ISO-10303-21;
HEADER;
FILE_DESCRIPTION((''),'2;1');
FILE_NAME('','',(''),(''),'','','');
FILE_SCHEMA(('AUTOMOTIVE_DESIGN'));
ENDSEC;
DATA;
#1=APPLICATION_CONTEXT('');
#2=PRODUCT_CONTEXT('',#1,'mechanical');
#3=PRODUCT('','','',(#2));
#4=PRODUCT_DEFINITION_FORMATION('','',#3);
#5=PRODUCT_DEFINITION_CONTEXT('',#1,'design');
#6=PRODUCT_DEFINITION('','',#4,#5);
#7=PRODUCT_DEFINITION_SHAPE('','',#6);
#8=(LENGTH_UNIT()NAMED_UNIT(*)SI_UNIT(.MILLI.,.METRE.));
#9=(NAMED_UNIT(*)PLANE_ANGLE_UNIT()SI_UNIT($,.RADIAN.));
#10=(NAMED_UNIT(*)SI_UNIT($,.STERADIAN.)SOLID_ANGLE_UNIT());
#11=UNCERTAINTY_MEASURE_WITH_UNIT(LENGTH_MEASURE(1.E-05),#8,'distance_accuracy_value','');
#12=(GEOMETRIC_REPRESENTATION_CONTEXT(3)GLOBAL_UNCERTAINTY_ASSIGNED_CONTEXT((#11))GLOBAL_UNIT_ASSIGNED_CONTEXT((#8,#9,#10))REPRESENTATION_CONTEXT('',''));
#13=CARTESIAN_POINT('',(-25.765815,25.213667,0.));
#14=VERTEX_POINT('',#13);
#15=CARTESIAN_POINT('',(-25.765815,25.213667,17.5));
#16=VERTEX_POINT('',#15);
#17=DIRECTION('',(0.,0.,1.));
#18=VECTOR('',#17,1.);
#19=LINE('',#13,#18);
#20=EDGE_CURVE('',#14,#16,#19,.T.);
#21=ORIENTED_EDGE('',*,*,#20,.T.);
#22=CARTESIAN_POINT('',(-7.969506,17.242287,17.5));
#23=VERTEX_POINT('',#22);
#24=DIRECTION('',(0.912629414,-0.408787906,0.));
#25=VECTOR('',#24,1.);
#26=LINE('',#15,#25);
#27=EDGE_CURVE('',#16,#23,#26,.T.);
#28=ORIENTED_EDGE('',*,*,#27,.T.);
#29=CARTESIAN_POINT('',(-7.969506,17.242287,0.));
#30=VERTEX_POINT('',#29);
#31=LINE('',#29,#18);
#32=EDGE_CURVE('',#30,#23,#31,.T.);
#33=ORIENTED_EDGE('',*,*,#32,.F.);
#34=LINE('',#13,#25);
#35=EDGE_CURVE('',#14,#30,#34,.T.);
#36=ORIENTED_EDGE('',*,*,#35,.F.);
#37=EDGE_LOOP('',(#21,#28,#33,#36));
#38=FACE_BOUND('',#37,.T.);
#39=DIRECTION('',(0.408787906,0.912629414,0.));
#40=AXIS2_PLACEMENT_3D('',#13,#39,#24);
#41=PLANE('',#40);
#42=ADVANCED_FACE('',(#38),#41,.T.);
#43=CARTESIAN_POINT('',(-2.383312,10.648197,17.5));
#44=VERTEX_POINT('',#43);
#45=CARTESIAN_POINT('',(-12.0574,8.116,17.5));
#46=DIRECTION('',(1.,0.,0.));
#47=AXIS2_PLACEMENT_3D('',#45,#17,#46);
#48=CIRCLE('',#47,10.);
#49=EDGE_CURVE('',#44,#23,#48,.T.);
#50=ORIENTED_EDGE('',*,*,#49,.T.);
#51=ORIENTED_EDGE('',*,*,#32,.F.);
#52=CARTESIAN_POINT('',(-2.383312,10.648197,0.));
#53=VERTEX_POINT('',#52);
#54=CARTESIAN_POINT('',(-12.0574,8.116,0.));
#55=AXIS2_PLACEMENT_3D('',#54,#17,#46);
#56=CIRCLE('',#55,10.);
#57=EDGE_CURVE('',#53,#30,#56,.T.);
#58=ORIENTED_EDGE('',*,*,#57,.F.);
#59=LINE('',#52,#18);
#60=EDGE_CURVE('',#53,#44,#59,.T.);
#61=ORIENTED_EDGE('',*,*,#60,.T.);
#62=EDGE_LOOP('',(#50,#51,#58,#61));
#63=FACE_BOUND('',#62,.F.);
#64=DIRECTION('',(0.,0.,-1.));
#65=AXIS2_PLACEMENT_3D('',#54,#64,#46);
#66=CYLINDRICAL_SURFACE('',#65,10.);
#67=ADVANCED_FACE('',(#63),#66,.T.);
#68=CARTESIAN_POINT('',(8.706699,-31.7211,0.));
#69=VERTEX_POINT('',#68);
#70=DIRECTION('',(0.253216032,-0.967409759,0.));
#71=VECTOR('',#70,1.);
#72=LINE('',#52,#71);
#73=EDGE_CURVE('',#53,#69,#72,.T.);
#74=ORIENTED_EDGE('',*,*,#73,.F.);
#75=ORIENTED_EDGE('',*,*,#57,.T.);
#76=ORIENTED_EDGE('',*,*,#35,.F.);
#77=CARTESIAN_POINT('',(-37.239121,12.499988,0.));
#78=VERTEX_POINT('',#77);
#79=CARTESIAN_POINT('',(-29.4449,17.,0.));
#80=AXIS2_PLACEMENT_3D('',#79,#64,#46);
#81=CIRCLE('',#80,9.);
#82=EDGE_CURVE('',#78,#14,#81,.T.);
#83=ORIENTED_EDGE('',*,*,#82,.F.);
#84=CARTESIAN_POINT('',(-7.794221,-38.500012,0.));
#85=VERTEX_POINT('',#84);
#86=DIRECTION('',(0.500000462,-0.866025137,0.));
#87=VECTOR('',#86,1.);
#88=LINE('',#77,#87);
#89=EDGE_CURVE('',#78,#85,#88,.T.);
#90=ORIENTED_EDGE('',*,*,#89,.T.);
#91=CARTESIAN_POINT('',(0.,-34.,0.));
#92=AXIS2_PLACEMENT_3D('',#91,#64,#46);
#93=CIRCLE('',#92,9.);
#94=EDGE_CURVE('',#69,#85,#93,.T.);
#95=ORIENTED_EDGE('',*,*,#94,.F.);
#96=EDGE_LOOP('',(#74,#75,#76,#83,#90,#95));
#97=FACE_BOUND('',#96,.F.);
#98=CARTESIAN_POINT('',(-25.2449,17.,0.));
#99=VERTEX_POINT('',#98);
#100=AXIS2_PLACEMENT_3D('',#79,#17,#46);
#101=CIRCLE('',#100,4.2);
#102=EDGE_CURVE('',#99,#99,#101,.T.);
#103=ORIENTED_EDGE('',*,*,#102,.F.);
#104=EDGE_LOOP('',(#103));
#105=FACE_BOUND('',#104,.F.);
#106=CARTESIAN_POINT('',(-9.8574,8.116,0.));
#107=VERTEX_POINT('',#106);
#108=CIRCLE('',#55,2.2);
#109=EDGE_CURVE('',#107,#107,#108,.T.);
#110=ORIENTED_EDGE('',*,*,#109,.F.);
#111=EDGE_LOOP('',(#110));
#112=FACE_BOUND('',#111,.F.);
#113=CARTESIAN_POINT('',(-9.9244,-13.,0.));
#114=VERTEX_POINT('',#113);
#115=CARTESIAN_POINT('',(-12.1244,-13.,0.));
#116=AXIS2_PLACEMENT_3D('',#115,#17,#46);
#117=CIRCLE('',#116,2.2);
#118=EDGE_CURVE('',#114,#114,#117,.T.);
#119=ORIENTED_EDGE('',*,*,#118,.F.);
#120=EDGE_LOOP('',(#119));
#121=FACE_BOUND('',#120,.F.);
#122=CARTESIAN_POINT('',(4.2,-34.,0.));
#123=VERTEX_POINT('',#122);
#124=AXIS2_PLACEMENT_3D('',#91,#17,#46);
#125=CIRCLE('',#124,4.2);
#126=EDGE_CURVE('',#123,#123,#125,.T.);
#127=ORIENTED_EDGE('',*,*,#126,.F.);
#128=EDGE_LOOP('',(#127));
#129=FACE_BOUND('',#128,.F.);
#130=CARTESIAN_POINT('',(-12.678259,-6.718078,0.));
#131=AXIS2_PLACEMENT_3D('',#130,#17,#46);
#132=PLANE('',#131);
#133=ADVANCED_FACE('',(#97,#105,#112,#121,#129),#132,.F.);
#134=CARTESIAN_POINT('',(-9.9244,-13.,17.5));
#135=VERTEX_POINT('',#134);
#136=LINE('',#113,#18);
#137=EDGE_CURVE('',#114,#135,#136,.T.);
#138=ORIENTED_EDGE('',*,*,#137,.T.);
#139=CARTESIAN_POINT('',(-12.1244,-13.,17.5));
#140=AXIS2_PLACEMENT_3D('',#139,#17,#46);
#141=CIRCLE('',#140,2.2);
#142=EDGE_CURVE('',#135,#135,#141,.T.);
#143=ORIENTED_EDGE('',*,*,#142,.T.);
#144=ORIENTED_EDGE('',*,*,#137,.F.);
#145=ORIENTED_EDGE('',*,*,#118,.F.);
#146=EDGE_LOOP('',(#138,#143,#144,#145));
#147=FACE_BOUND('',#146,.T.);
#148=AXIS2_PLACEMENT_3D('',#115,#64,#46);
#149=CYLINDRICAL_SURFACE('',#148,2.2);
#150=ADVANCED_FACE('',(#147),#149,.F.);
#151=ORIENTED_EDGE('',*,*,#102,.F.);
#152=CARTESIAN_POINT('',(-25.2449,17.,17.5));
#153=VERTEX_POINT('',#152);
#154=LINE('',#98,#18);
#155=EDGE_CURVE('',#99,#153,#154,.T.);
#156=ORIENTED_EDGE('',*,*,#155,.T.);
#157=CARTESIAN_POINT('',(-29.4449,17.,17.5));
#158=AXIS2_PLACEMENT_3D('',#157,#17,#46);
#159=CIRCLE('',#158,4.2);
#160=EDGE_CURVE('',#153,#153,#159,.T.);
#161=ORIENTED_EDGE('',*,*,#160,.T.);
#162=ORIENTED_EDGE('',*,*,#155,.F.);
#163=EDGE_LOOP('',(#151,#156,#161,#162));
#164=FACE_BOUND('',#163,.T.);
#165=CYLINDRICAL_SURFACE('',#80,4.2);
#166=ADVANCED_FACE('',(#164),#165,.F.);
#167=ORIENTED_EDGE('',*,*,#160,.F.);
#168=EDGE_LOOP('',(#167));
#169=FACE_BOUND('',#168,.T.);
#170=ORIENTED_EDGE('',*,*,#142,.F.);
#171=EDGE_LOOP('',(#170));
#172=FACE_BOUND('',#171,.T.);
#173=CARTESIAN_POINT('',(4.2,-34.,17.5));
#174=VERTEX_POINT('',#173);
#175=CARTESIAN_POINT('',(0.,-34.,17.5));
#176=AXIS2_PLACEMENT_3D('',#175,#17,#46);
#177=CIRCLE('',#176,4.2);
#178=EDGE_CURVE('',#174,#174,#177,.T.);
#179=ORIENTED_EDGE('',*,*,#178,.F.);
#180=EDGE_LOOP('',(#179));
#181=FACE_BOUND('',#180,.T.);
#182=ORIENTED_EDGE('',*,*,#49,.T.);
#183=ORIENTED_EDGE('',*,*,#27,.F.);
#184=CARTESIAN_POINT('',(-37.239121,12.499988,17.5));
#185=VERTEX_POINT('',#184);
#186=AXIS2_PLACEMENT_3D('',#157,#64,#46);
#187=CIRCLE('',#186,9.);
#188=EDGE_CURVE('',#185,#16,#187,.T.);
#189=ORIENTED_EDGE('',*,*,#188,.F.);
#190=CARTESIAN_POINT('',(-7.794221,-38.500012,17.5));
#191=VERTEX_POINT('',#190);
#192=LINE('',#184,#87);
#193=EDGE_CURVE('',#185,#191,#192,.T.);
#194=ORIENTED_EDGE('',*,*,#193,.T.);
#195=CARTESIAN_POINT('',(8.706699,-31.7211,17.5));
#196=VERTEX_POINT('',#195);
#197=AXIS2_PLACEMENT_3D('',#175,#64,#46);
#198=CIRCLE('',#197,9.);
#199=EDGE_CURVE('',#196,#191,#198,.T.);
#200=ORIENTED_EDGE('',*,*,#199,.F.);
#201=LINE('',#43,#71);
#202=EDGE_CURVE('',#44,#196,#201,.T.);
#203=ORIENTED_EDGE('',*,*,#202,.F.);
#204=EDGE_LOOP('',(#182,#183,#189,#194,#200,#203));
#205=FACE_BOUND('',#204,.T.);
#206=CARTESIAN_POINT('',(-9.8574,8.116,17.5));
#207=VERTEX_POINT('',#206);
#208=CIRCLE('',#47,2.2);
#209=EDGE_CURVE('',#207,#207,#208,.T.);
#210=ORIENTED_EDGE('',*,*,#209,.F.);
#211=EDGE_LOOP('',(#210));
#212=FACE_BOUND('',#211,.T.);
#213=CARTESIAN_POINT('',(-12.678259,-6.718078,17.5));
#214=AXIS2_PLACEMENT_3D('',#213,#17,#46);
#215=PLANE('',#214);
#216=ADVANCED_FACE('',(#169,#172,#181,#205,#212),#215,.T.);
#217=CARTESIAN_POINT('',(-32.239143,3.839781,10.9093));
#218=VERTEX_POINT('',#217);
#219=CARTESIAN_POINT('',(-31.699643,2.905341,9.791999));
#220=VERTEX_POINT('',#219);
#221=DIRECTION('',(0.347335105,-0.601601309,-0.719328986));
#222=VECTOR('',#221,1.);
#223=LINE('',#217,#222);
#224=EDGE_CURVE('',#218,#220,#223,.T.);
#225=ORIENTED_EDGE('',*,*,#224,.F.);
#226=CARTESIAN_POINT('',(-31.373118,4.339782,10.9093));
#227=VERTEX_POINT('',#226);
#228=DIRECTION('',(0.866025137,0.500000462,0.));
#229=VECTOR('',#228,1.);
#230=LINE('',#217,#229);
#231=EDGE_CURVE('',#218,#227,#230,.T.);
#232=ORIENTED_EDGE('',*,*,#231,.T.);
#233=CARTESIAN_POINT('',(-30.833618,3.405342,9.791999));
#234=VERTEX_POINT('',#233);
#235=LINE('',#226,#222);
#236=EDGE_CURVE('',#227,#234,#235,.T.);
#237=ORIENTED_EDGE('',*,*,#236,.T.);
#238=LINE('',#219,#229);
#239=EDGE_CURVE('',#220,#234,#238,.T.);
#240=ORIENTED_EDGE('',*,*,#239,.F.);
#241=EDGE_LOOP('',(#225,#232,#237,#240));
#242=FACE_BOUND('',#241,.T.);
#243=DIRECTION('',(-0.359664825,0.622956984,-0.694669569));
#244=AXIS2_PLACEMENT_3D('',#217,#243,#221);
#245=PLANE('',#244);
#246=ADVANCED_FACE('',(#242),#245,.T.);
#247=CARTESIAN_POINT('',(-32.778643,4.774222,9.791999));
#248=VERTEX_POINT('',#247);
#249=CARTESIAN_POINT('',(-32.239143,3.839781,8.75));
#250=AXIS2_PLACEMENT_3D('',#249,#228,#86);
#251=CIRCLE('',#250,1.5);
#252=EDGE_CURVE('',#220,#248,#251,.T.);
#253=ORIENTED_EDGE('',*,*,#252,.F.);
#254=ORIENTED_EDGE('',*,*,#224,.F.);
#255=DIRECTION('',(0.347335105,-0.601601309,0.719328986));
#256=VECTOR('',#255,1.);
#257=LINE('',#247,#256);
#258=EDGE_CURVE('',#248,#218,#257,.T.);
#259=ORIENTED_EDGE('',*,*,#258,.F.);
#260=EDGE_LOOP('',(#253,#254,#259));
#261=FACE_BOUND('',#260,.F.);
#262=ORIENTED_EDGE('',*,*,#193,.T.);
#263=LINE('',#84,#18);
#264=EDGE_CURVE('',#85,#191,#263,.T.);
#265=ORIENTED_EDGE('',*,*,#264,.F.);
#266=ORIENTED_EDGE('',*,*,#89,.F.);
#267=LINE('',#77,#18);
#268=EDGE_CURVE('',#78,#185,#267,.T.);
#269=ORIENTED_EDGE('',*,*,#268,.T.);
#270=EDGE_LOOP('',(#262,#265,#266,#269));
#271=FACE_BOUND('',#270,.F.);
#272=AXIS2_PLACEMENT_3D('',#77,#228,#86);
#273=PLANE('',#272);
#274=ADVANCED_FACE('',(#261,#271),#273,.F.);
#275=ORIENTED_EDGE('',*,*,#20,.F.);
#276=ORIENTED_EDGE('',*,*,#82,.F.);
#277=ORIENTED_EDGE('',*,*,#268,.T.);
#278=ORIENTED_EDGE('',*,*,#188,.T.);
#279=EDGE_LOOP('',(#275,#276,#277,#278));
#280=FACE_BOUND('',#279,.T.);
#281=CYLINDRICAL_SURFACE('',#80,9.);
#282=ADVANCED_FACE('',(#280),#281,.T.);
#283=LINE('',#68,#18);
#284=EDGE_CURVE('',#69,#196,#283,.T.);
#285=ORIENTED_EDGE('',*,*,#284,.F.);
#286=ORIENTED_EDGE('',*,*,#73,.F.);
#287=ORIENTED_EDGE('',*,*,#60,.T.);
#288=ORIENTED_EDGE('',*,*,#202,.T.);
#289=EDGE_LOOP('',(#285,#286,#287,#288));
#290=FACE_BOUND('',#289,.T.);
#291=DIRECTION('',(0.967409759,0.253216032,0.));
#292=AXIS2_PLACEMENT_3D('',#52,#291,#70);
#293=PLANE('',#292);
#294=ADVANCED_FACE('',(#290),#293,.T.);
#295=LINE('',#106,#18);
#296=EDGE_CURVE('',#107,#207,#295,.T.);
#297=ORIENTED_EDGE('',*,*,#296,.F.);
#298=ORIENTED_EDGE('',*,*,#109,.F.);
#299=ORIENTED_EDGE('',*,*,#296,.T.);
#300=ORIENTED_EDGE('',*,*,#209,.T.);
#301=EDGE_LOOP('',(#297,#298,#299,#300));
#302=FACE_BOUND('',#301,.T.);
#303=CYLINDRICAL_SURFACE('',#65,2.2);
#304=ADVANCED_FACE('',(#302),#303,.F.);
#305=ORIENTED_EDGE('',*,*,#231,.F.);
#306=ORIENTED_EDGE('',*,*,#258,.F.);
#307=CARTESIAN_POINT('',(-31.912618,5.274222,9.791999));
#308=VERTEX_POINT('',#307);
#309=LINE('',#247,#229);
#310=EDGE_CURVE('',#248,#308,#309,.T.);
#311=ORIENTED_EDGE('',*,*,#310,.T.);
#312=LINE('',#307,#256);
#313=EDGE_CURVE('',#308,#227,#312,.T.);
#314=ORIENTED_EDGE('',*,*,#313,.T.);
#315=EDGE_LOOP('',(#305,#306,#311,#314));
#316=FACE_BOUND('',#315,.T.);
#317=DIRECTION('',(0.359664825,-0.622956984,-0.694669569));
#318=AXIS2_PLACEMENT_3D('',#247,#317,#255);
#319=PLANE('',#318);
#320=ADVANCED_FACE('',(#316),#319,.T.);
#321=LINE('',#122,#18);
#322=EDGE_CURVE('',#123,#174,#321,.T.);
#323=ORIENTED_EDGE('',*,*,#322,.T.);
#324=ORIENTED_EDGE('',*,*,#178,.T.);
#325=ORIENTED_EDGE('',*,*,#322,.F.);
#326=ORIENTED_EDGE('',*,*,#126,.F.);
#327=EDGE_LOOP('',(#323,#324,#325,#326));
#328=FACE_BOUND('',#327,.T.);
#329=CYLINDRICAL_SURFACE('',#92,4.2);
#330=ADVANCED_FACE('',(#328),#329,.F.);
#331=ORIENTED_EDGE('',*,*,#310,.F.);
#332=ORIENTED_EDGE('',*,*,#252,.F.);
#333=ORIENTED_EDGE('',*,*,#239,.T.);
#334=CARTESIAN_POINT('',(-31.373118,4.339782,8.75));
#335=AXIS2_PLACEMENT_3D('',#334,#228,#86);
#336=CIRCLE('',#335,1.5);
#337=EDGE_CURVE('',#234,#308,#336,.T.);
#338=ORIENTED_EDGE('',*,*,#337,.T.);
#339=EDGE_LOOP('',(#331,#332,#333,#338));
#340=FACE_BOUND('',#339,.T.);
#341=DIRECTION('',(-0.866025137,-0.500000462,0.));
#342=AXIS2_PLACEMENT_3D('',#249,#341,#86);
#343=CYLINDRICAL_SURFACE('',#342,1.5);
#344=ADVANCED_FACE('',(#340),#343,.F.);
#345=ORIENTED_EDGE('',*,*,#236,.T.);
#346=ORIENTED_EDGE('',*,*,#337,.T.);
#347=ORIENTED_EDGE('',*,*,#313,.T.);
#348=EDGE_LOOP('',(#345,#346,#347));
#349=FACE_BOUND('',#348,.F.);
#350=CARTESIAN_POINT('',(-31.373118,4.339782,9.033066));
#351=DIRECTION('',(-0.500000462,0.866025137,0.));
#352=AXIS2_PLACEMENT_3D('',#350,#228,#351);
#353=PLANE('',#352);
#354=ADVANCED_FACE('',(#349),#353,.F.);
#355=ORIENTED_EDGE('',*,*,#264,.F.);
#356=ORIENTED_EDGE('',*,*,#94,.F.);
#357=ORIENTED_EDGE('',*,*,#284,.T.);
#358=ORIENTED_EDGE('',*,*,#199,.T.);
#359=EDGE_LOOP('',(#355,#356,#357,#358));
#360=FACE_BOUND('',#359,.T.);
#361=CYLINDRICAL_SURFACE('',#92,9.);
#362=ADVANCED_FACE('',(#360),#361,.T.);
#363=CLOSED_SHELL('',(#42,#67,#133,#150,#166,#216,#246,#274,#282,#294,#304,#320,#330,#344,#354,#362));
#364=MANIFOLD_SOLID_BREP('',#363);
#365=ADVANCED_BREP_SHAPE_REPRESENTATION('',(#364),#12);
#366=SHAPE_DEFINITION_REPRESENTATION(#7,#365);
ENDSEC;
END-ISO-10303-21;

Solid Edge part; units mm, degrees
sketch "Sketch1" plane through (0, 0, 0) normal (0, 0, 1) x (1, 0, 0)
  line L0 (-37.2391, 12.5) -> (-7.7942, -38.5)
  line L1 (-25.7658, 25.2137) -> (-7.9695, 17.2423)
  arc A0 (-2.3833, 10.6482) -> (-7.9695, 17.2423) centre (-12.0574, 8.116) ccw
  line L2 (-2.3833, 10.6482) -> (8.7067, -31.7211)
  arc A1 (8.7067, -31.7211) -> (-7.7942, -38.5) centre (0, -34) cw
  arc A2 (-37.2391, 12.5) -> (-25.7658, 25.2137) centre (-29.4449, 17) cw
  circle A3 centre (-29.4449, 17) radius 4.2
  circle A4 centre (0, -34) radius 4.2
  circle A5 centre (-12.1244, -13) radius 2.2
  circle A6 centre (-12.0574, 8.116) radius 2.2
extrude "Protrusion1" add sketch "Sketch1" along normal blind 17.5
sketch "Sketch2" plane through (-22.5167, -13, 8.75) normal (-0.866, -0.5, 0) x (0.5, -0.866, 0)
  arc A0 (-18.3659, 1.042) -> (-20.5239, 1.042) centre (-19.4449, 0) cw
  line L0 (-20.5239, 1.042) -> (-19.4449, 2.1593)
  line L1 (-19.4449, 2.1593) -> (-18.3659, 1.042)
extrude "ExtrudedCutout_2" cut sketch "Sketch2" against normal blind 1
properties material "ABS Plastic, medium impact"
